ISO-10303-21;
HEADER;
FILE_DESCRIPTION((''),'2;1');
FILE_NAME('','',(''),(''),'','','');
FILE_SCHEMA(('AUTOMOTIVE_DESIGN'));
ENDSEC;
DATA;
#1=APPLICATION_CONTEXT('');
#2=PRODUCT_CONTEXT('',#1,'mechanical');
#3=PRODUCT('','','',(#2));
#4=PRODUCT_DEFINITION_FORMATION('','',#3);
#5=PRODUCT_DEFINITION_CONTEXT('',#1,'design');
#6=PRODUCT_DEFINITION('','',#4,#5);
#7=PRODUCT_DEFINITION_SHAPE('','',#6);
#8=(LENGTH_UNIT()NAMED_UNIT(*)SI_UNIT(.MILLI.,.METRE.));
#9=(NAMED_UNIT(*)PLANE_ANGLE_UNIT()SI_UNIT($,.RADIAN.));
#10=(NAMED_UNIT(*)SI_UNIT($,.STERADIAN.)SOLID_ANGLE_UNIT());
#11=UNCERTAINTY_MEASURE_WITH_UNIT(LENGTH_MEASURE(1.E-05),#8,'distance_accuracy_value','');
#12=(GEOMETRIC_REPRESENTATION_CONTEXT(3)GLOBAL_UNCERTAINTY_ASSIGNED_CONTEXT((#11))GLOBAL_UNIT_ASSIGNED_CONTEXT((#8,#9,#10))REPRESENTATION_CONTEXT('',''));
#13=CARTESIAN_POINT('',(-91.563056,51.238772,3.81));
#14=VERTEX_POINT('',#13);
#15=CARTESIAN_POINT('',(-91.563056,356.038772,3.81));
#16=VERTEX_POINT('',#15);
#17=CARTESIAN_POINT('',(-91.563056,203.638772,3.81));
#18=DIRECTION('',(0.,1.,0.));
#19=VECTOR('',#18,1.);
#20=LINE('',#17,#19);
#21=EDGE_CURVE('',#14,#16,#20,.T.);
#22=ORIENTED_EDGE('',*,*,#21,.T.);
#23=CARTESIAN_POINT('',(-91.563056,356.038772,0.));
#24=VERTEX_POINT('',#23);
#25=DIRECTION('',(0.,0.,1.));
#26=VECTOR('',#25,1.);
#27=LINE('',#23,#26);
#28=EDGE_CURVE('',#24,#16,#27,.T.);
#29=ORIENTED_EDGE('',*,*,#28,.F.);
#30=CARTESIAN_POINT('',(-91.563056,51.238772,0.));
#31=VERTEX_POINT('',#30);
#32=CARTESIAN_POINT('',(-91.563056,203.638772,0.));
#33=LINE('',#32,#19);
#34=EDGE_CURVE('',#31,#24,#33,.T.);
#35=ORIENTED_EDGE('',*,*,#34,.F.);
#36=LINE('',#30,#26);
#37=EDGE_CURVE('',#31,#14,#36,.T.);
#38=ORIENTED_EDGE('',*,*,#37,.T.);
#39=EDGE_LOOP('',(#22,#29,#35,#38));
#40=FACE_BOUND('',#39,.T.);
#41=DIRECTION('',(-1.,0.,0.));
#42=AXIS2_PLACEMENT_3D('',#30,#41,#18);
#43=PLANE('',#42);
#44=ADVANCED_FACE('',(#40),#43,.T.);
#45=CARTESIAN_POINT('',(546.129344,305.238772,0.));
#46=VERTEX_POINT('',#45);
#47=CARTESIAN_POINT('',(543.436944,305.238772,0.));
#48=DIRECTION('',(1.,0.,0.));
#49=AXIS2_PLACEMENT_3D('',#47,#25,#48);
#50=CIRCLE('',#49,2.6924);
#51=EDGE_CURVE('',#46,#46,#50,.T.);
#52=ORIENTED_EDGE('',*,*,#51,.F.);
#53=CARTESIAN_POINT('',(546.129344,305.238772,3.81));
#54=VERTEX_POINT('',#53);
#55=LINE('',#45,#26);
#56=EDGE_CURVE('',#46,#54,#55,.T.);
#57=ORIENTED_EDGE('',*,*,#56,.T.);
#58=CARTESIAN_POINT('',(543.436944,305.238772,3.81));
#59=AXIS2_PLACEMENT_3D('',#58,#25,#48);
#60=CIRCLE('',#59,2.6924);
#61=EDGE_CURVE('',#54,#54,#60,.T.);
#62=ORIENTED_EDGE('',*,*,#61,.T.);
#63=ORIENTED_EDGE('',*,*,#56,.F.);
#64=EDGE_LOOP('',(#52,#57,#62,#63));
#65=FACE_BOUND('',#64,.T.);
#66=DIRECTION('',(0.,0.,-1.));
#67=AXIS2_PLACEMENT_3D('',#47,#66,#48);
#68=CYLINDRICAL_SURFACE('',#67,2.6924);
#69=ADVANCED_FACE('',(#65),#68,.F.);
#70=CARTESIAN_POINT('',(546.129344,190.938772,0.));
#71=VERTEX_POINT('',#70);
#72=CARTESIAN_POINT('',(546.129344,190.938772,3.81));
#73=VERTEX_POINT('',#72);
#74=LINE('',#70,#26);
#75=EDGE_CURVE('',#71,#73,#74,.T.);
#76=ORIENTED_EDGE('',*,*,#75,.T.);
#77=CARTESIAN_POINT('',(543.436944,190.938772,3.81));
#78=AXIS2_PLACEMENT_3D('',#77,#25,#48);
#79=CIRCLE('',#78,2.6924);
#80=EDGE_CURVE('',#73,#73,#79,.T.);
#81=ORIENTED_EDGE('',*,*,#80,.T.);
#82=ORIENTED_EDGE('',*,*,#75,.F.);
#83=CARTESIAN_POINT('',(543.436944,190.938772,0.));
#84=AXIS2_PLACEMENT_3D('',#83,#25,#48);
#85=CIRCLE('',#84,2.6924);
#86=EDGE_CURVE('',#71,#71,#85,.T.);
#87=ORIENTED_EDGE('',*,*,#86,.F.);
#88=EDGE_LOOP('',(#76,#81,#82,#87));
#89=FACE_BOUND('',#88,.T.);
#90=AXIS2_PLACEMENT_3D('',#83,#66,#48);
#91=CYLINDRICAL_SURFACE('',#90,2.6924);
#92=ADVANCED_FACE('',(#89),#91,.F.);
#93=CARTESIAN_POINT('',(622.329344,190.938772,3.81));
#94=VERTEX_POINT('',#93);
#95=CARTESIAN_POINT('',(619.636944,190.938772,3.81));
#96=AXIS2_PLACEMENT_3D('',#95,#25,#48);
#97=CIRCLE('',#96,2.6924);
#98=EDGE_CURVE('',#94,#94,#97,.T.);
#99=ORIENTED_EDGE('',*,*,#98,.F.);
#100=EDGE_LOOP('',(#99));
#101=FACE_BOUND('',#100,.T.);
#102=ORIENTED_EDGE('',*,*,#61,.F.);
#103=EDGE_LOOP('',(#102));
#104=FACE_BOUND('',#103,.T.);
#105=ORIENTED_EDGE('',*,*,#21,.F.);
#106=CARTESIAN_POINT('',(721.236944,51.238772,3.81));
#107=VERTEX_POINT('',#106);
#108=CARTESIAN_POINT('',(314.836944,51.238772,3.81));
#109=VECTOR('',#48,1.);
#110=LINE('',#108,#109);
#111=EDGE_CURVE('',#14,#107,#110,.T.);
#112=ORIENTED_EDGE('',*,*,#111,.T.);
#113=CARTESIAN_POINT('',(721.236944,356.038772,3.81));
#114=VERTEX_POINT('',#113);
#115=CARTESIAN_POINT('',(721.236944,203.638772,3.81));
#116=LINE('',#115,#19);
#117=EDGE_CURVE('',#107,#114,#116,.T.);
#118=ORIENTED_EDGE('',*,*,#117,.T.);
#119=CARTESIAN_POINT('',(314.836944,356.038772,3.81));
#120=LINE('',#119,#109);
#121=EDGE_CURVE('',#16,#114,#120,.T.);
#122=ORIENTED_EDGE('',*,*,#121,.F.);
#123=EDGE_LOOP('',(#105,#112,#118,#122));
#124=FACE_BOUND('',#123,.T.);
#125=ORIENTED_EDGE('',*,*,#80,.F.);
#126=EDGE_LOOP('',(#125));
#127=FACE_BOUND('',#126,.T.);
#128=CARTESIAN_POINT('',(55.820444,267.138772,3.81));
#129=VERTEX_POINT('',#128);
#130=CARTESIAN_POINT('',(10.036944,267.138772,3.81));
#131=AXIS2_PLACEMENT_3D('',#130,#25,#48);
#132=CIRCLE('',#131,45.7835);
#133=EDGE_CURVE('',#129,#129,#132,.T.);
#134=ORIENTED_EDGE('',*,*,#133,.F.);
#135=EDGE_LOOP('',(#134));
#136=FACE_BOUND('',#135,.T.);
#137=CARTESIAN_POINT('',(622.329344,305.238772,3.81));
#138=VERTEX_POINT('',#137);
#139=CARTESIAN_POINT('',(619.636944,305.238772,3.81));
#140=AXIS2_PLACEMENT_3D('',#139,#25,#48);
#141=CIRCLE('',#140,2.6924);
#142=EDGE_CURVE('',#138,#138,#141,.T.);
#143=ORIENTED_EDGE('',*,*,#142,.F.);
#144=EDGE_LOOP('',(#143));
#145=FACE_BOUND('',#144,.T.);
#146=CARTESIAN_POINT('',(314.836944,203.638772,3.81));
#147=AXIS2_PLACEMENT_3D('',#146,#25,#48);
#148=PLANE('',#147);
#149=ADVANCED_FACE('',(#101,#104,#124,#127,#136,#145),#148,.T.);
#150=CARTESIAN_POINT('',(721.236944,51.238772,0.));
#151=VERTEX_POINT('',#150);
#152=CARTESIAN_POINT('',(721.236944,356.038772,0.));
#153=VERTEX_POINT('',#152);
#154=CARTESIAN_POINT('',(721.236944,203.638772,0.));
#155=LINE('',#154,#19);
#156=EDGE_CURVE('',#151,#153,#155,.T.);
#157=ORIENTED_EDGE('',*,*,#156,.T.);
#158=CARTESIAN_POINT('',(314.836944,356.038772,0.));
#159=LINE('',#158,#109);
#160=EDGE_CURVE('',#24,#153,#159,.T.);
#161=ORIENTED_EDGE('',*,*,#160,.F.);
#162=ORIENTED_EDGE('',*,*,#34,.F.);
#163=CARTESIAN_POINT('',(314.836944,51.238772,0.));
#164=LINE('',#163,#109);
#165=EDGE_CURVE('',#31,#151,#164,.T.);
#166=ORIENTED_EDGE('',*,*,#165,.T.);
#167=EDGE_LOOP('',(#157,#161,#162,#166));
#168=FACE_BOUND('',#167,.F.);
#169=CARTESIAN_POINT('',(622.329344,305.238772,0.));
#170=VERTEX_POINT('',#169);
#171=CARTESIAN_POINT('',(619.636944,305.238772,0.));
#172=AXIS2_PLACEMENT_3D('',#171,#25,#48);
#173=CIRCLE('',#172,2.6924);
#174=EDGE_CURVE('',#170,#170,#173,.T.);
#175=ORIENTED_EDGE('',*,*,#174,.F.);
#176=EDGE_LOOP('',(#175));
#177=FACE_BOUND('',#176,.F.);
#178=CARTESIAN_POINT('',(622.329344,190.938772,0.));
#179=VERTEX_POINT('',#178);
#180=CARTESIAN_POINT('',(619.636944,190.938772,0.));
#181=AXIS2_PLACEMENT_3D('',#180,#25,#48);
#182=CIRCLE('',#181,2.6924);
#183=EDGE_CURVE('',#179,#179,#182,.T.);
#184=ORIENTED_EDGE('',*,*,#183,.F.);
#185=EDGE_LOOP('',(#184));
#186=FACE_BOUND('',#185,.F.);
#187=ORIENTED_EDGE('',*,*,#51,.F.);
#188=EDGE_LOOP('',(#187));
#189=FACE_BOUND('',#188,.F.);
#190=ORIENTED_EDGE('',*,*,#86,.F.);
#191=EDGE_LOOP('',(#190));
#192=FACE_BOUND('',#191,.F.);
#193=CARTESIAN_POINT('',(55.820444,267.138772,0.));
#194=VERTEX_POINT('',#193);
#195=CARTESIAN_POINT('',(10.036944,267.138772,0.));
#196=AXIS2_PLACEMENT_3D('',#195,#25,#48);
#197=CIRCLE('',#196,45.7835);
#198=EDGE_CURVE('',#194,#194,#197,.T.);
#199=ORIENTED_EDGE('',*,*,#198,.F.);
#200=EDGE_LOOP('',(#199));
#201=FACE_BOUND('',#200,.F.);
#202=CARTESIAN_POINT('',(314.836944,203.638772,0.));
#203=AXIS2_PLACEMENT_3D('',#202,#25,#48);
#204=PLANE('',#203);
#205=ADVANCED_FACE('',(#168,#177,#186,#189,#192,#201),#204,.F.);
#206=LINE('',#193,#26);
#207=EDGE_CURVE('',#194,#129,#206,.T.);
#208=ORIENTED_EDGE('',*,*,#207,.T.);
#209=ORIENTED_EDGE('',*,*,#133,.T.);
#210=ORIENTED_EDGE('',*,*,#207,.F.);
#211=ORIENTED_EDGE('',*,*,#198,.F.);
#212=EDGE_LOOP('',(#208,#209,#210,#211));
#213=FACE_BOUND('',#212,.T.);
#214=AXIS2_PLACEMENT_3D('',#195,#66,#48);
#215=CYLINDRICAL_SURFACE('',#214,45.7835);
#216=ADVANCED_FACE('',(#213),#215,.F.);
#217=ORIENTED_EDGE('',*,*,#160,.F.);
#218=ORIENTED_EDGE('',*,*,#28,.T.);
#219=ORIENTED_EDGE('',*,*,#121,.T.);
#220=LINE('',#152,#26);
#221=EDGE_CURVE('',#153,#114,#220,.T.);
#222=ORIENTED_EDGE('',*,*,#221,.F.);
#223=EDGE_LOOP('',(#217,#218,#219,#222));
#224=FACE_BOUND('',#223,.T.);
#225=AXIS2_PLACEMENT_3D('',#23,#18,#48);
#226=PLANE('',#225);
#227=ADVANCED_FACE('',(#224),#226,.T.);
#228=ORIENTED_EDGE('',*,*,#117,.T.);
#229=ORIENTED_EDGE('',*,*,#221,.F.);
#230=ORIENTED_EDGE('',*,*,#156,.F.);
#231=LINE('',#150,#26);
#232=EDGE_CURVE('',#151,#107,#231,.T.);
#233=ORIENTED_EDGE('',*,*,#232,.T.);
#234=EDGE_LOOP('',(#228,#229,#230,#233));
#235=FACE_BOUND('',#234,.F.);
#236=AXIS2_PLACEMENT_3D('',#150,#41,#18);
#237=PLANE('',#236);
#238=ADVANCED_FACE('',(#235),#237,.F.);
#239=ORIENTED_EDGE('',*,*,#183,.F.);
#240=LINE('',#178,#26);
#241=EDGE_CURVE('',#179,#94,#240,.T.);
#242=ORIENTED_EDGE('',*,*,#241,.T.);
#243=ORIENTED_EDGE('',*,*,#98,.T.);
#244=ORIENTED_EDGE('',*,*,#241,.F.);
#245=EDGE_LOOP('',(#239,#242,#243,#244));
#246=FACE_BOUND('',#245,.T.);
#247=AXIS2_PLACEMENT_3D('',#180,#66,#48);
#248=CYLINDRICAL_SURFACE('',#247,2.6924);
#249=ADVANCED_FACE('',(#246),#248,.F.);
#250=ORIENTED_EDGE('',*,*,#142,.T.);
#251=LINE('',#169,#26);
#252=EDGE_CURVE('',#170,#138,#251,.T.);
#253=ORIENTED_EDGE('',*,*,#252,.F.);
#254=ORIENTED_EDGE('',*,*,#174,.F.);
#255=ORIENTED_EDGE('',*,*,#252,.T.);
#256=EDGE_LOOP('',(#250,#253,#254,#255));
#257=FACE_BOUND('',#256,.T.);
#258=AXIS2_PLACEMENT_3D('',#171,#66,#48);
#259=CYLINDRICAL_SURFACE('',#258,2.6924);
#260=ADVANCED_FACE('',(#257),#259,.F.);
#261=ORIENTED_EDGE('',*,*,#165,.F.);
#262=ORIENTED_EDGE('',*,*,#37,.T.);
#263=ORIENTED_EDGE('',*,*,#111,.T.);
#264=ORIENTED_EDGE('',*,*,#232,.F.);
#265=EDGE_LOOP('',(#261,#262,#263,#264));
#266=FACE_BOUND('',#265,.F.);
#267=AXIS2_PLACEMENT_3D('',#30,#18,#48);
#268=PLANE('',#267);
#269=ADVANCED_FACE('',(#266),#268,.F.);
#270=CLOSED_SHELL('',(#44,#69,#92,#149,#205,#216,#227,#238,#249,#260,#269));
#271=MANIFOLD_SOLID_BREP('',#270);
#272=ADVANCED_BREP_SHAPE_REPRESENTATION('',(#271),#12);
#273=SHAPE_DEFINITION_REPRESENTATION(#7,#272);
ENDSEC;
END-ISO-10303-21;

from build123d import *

# Parameters (mm, degrees)
F0_W     = 812.8
F0_H     = 304.8
F0_R     = 2.6924
F0_R_2   = 45.7835
F1_DEPTH = 3.81


with BuildPart() as f1:
    # F0 (on Top) → F1 (new body)
    with BuildSketch(Plane.XY):
        with Locations((314.836944, 203.638772)):
            Rectangle(F0_W, F0_H)
        with Locations((543.436944, 190.938772)):
            Circle(F0_R, mode=Mode.SUBTRACT)
        with Locations((619.636944, 190.938772)):
            Circle(F0_R, mode=Mode.SUBTRACT)
        with Locations((10.036944, 267.138772)):
            Circle(F0_R_2, mode=Mode.SUBTRACT)
        with Locations((543.436944, 305.238772)):
            Circle(F0_R, mode=Mode.SUBTRACT)
        with Locations((619.636944, 305.238772)):
            Circle(F0_R, mode=Mode.SUBTRACT)
    extrude(amount=F1_DEPTH)


solid = f1.part
